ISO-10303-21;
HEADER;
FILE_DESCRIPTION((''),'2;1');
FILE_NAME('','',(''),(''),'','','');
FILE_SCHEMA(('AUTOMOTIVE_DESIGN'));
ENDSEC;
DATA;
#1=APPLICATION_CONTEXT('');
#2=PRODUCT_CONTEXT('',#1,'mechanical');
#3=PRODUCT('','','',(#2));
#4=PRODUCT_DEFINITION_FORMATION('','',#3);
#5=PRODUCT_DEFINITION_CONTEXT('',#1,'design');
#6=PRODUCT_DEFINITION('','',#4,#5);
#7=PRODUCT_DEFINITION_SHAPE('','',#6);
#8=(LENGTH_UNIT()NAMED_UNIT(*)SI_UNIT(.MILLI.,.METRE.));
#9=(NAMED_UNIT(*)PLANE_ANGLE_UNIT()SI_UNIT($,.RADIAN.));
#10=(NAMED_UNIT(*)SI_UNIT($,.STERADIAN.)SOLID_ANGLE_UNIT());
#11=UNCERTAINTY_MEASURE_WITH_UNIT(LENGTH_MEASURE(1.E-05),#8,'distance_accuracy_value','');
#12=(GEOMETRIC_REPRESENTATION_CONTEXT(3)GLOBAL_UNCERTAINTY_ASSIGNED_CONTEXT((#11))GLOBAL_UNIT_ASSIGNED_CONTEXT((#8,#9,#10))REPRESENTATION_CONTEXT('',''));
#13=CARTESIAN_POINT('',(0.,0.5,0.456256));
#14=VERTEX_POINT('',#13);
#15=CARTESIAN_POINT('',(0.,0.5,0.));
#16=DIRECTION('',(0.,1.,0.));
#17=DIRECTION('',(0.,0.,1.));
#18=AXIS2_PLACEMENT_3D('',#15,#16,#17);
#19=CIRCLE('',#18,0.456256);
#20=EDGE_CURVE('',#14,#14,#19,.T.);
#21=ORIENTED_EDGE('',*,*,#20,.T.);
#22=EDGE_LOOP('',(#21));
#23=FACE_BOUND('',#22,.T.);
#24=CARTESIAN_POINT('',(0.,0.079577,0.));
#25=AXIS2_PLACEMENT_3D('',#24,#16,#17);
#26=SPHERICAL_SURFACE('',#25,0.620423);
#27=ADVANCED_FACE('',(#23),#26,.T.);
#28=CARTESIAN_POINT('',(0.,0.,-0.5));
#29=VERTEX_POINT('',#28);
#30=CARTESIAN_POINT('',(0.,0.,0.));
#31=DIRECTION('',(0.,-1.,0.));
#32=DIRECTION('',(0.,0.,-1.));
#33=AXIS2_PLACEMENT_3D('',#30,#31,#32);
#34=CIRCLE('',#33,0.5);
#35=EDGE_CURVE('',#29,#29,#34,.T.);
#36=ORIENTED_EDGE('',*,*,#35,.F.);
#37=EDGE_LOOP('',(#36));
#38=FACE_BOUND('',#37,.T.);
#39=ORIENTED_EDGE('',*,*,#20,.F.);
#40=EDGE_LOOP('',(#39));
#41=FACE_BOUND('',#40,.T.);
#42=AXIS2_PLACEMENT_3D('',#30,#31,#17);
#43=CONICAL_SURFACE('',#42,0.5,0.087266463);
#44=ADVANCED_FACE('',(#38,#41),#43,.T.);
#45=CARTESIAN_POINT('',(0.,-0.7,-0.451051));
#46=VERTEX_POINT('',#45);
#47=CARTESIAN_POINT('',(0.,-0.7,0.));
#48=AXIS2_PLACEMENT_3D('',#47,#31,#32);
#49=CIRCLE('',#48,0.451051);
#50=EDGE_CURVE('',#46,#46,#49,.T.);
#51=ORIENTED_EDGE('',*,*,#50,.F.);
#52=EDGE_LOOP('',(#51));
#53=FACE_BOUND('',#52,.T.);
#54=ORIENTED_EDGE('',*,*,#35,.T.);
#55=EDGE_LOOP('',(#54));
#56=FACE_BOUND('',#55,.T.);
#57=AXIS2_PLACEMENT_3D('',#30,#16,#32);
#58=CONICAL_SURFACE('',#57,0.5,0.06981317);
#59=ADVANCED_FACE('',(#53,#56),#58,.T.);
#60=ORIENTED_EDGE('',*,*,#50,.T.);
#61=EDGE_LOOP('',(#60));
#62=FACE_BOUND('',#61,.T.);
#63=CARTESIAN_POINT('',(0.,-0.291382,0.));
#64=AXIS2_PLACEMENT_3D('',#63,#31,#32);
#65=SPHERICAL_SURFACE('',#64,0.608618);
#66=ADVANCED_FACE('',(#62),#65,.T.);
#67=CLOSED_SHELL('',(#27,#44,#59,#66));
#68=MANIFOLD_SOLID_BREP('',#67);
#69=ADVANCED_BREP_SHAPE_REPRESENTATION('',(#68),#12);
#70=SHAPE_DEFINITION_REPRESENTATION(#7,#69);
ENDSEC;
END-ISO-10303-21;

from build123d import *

# Parameters (mm, degrees)
SKETCH1_R           = 0.5
BOSS_EXTRUDE1_DEPTH = 0.5
BOSS_EXTRUDE1_TAPER = 5
DOME1_FACE_RADIUS   = 0.456255668
DOME1_HEIGHT        = 0.2
SKETCH2_R           = 0.5
BOSS_EXTRUDE2_DEPTH = 0.7
BOSS_EXTRUDE2_TAPER = 4
DOME3_FACE_RADIUS   = 0.451051232
DOME3_HEIGHT        = 0.2


with BuildPart() as part:
    # Sketch1 → Boss-Extrude1 (new body)
    with BuildSketch(Plane(origin=(0, 0, 0), x_dir=(1, 0, 0), z_dir=(0, 1, 0))):
        Circle(SKETCH1_R)
    extrude(amount=BOSS_EXTRUDE1_DEPTH, taper=BOSS_EXTRUDE1_TAPER)

    # Dome1: a dome of height H over a round flat face of radius A is a cap of a sphere of radius (A * A + H * H) / (2 * H)
    dome1_r = (DOME1_FACE_RADIUS * DOME1_FACE_RADIUS + DOME1_HEIGHT * DOME1_HEIGHT) / (2 * DOME1_HEIGHT)
    dome1_base = Plane((0, 0.5, 0), z_dir=(0, 1, 0))
    with Locations(dome1_base.offset(DOME1_HEIGHT - dome1_r)):
        dome1_ball = Sphere(dome1_r, mode=Mode.PRIVATE)
    add(split(dome1_ball, bisect_by=dome1_base, keep=Keep.TOP, mode=Mode.PRIVATE))

    # Sketch2 → Boss-Extrude2 (add)
    with BuildSketch(Plane.XZ):
        Circle(SKETCH2_R)
    extrude(amount=BOSS_EXTRUDE2_DEPTH, taper=BOSS_EXTRUDE2_TAPER)

    # Dome3: a dome of height H over a round flat face of radius A is a cap of a sphere of radius (A * A + H * H) / (2 * H)
    dome3_r = (DOME3_FACE_RADIUS * DOME3_FACE_RADIUS + DOME3_HEIGHT * DOME3_HEIGHT) / (2 * DOME3_HEIGHT)
    dome3_base = Plane((0, -0.7, 0), z_dir=(0, -1, 0))
    with Locations(dome3_base.offset(DOME3_HEIGHT - dome3_r)):
        dome3_ball = Sphere(dome3_r, mode=Mode.PRIVATE)
    add(split(dome3_ball, bisect_by=dome3_base, keep=Keep.TOP, mode=Mode.PRIVATE))


solid = part.part
